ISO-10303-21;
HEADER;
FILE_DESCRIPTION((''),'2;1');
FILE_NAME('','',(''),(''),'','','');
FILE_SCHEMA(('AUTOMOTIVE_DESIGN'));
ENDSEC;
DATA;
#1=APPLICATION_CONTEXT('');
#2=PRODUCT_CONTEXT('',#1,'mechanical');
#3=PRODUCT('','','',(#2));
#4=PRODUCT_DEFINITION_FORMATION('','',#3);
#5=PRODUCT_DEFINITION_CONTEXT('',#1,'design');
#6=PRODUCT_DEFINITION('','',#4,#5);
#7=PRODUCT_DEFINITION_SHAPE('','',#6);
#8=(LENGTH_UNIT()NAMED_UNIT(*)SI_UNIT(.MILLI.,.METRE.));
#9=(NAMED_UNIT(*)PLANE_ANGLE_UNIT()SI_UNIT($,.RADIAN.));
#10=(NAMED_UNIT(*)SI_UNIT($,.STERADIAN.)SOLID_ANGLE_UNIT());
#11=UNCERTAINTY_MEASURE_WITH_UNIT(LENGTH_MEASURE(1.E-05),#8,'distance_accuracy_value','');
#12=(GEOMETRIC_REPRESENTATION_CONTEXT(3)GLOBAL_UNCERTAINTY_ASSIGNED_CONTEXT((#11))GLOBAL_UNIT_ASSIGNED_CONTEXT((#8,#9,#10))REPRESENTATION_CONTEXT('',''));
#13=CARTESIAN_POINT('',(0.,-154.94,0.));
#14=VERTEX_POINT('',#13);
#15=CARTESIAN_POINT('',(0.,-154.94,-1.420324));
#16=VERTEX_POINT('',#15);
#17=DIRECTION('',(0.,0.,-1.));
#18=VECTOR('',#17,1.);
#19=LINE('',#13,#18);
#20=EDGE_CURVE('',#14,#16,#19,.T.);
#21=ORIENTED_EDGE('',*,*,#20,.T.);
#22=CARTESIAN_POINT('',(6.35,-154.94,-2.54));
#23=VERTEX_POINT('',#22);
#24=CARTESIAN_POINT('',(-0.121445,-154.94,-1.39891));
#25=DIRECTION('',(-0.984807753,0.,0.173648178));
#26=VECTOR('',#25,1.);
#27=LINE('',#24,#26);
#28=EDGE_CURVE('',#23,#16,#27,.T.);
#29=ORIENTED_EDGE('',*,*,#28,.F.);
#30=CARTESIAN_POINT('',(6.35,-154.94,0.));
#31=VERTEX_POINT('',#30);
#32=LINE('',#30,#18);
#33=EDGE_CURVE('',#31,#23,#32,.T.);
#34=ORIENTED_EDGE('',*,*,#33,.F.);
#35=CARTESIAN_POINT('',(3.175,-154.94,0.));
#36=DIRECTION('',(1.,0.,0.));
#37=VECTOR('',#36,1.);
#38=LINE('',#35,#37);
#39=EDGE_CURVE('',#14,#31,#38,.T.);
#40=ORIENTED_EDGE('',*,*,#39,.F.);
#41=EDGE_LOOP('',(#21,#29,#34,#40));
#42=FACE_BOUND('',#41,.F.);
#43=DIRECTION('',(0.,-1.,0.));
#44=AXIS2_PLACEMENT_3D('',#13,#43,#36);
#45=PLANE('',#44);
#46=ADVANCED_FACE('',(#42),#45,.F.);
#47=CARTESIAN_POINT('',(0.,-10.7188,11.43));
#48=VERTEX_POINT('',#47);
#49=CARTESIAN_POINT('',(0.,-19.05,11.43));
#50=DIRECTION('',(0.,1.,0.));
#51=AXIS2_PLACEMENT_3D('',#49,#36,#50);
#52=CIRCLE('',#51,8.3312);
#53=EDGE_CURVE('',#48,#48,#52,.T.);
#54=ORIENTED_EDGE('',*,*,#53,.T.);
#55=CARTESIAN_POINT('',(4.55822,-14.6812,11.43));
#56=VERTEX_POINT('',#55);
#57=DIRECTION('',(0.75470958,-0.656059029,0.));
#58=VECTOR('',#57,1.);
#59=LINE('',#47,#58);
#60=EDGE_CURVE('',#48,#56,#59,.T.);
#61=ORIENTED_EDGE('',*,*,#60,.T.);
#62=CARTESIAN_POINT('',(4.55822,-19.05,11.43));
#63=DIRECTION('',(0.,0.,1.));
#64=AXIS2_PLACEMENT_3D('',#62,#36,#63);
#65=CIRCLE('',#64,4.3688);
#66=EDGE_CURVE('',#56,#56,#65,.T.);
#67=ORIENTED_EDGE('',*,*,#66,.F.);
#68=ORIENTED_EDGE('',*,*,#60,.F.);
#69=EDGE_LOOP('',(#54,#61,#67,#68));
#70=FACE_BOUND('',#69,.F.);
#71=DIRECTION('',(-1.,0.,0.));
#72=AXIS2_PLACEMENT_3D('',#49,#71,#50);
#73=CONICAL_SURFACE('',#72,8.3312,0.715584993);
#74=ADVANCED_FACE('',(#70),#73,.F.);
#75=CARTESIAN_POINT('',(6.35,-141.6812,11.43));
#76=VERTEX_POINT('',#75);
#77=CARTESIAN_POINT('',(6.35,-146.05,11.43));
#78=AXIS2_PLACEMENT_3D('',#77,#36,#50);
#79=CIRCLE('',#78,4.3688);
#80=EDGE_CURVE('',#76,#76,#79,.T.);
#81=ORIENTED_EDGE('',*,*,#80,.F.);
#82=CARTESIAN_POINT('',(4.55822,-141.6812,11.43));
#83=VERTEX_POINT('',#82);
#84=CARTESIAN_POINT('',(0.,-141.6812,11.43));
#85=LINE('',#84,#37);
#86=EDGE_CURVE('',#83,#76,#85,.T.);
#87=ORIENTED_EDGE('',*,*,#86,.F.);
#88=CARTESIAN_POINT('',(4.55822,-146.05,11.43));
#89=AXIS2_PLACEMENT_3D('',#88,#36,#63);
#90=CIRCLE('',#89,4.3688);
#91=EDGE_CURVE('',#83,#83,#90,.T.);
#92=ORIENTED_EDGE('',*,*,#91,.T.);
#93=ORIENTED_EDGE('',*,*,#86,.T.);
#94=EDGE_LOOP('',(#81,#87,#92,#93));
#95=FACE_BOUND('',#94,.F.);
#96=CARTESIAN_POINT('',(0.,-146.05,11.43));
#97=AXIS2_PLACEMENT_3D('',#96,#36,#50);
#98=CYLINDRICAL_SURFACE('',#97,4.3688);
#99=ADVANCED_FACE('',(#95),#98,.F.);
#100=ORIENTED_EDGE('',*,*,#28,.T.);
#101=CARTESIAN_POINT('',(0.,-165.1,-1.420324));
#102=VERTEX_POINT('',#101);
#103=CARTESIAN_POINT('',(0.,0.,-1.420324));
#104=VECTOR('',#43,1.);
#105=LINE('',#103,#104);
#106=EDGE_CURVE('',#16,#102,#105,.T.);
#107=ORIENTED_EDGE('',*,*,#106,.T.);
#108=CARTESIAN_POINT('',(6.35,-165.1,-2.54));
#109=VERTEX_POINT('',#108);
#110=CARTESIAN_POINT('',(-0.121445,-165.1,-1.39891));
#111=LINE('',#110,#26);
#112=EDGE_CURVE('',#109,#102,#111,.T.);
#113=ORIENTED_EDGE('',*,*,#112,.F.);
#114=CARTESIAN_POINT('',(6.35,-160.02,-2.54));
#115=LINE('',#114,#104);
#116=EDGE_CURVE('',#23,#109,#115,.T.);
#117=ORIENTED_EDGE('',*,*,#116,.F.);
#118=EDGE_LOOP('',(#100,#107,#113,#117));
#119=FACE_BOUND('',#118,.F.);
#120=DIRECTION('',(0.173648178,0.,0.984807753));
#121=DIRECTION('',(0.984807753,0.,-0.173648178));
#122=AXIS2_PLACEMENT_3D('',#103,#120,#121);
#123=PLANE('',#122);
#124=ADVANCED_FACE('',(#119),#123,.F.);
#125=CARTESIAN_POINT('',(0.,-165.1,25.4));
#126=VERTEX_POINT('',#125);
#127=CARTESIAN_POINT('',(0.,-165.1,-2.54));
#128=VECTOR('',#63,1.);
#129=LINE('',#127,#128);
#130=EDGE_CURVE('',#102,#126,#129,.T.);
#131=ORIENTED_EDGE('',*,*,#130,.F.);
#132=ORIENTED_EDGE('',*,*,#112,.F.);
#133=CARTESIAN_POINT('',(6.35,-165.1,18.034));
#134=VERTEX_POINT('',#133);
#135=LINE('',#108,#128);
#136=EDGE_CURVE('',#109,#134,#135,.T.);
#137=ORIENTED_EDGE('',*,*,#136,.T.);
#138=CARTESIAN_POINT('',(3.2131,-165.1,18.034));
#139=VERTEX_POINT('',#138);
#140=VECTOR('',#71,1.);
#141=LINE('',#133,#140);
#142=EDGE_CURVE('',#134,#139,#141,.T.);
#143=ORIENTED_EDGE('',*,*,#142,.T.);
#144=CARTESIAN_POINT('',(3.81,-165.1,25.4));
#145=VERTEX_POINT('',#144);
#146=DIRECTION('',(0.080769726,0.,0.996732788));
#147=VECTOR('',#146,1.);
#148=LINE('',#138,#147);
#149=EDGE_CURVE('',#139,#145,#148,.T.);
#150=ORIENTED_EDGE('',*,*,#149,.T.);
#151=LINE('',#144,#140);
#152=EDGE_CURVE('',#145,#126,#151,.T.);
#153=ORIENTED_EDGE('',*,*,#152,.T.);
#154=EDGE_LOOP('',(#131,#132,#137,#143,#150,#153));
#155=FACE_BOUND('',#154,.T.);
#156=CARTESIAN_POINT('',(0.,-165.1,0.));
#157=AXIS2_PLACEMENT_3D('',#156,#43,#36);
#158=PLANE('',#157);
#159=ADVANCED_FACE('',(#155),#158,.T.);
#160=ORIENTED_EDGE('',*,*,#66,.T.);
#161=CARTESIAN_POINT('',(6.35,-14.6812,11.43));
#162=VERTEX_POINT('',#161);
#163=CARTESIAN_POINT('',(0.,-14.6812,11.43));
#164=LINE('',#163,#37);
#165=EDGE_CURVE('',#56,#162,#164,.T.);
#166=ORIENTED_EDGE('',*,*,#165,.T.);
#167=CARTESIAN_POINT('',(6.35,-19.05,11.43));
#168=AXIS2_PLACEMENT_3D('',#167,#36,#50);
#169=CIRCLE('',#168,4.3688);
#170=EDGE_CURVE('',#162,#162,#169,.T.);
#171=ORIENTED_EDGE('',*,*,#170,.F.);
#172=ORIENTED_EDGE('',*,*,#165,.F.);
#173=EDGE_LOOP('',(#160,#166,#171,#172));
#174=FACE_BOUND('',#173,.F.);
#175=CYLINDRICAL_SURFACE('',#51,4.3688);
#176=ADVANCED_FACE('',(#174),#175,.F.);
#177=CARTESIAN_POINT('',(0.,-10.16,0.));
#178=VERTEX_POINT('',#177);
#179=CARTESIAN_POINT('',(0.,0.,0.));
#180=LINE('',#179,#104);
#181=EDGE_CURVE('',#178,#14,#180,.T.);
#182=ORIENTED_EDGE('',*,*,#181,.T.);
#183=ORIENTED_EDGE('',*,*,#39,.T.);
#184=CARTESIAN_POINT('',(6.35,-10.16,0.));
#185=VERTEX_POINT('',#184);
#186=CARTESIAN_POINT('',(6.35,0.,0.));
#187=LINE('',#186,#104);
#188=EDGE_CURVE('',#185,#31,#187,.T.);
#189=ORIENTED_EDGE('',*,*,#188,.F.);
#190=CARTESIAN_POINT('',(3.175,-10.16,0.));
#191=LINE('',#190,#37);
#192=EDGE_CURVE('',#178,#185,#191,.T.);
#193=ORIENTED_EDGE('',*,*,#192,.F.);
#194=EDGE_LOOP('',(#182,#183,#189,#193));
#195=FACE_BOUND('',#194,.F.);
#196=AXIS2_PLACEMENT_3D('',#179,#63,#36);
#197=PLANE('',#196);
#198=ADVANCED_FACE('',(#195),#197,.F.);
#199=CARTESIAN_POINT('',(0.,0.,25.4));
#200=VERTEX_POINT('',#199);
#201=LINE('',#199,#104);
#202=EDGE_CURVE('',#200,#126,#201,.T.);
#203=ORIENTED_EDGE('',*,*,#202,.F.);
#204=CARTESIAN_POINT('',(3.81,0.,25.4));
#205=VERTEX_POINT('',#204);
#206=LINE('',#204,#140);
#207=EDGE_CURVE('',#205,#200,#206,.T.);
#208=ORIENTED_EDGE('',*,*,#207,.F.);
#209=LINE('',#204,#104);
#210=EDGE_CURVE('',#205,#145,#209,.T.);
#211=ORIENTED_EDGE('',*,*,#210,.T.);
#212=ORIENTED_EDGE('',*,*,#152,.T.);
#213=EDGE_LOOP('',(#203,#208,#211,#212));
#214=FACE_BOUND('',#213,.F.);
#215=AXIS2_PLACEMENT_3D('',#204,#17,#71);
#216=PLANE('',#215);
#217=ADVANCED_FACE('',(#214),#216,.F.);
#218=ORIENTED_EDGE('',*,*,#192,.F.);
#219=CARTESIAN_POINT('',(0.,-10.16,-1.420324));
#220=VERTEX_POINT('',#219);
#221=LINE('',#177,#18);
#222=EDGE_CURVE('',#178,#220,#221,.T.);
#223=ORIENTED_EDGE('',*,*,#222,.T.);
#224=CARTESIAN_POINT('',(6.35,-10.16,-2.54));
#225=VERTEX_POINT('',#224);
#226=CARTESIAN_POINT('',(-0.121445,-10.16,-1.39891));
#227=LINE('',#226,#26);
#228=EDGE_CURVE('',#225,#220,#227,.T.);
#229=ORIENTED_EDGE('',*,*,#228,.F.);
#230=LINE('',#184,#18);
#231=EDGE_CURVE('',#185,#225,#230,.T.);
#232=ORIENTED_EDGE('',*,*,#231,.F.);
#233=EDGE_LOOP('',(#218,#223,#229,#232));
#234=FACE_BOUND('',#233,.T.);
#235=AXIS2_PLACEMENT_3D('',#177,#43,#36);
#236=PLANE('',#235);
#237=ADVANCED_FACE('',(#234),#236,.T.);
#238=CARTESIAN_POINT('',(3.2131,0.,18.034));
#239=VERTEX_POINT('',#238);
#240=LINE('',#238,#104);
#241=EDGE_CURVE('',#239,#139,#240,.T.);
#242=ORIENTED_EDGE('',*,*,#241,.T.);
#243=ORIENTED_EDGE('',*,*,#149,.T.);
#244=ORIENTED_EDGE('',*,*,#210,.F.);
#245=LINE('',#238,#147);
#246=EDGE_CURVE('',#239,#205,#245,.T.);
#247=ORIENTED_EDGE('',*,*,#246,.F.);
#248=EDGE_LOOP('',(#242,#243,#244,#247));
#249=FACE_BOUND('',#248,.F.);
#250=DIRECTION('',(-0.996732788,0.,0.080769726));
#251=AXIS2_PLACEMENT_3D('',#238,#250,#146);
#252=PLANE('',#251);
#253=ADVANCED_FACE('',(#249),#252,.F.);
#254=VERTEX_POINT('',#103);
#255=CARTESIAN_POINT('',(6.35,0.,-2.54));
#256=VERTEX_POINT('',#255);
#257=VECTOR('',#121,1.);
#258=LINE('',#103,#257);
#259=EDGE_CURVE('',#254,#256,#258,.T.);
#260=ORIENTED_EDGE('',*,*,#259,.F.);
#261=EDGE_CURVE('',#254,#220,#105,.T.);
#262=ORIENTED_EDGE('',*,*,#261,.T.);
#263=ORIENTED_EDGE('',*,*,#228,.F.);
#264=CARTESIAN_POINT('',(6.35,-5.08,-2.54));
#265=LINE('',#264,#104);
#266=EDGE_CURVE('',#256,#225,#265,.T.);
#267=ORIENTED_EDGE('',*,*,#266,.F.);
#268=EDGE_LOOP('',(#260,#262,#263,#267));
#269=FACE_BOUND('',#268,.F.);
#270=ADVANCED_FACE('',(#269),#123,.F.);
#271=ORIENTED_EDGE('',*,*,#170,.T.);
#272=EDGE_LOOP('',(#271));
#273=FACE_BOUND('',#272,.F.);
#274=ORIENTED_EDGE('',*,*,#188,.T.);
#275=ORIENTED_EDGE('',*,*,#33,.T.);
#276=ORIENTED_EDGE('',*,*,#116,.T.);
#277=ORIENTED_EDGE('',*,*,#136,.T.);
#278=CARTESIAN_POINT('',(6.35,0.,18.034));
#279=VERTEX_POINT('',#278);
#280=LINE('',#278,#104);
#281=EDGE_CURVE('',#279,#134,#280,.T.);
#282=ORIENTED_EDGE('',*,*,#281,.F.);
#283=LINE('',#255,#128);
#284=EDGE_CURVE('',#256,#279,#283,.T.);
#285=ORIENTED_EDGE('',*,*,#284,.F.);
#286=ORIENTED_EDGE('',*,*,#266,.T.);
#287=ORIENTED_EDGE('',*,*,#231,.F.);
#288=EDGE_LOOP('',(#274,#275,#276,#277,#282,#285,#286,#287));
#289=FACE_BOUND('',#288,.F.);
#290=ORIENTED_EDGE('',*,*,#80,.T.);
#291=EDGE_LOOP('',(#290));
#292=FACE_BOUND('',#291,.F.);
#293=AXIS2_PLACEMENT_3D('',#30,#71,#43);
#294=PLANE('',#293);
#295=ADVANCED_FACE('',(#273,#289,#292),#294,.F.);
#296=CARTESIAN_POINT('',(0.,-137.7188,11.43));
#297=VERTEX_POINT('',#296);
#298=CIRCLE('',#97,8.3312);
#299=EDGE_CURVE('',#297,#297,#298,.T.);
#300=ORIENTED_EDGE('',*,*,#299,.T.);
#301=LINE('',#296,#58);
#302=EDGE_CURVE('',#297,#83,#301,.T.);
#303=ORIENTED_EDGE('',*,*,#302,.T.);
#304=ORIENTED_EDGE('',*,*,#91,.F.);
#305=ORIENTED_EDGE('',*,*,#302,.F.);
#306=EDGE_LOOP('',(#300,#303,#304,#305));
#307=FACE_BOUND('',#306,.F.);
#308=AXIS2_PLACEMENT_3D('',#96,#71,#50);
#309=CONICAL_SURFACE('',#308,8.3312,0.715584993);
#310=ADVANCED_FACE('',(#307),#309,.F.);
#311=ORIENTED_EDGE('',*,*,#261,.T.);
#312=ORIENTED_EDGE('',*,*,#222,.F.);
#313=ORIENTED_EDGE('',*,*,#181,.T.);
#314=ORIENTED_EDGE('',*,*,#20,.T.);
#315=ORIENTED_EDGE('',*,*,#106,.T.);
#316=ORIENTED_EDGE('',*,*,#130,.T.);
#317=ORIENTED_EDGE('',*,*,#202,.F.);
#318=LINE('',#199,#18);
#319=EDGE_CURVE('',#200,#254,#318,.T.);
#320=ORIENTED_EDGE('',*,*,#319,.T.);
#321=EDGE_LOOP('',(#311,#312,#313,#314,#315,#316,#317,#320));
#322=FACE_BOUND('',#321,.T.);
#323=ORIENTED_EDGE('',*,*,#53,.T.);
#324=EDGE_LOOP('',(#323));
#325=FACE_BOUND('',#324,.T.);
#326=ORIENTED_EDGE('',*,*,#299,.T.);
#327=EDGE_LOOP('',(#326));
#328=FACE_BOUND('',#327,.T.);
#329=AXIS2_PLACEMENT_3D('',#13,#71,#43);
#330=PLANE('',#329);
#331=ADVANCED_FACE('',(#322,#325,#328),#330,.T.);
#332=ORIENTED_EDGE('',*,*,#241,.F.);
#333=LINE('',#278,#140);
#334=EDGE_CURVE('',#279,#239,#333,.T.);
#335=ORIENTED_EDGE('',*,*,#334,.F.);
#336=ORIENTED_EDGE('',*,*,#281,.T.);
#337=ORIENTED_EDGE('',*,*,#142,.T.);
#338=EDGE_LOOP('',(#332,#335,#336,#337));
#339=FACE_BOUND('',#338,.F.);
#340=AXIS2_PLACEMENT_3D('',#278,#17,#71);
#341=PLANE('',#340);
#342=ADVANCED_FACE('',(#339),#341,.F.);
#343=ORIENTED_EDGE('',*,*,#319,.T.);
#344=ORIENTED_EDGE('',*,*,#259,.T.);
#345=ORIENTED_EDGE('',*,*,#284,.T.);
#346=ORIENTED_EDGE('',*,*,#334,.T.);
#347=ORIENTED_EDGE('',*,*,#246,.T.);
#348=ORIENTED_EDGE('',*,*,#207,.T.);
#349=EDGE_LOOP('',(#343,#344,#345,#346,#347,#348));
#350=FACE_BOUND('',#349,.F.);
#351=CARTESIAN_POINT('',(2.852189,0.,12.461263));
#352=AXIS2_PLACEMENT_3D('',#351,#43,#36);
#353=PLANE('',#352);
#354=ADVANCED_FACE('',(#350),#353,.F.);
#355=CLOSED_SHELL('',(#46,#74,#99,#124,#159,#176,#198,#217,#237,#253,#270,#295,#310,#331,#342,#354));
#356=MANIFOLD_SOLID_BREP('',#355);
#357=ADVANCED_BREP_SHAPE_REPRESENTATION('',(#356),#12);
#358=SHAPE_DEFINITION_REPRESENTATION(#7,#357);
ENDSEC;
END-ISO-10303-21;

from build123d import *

# Parameters (mm, degrees)
F1_DEPTH       = 165.1
F3_D           = 8.7376
F3_CSINK_D     = 16.6624
F3_CSINK_ANGLE = 82
F4_W           = 6.35
F4_H           = 10.16
F5_DEPTH       = 2.54
F7_DEPTH       = 165.101


with BuildPart() as f1:
    # F0 (on Front) → F1 (new body)
    with BuildSketch(Plane.XZ):
        Polygon((0, 25.4), (0, 0), (6.35, 0), (6.35, 18.034), (3.2131, 18.034), (3.81, 25.4), align=None)
    extrude(amount=F1_DEPTH)

    # F3 (through all)
    with Locations(Plane(origin=(0, 0, 0), x_dir=(0, -1, 0), z_dir=(-1, 0, 0))):
        with Locations((19.05, 11.43), (146.05, 11.43)):
            CounterSinkHole(F3_D / 2, F3_CSINK_D / 2, counter_sink_angle=F3_CSINK_ANGLE)

    # F4 (on face) → F5 (join)
    with BuildSketch(Plane(origin=(0, 0, 0), x_dir=(1, 0, 0), z_dir=(0, 0, -1))):
        with Locations((3.175, 160.02)):
            Rectangle(F4_W, F4_H)
        with Locations((3.175, 5.08)):
            Rectangle(F4_W, F4_H)
    extrude(amount=F5_DEPTH)

    # F6 (on face) → F7 (cut, through all)
    with BuildSketch(Plane(origin=(0, 0, 0), x_dir=(-1, 0, 0), z_dir=(0, 1, 0))):
        Polygon((0, -1.4203236725), (-6.35, -2.54), (0, -2.54), align=None)
    extrude(amount=-F7_DEPTH, mode=Mode.SUBTRACT)


solid = f1.part
